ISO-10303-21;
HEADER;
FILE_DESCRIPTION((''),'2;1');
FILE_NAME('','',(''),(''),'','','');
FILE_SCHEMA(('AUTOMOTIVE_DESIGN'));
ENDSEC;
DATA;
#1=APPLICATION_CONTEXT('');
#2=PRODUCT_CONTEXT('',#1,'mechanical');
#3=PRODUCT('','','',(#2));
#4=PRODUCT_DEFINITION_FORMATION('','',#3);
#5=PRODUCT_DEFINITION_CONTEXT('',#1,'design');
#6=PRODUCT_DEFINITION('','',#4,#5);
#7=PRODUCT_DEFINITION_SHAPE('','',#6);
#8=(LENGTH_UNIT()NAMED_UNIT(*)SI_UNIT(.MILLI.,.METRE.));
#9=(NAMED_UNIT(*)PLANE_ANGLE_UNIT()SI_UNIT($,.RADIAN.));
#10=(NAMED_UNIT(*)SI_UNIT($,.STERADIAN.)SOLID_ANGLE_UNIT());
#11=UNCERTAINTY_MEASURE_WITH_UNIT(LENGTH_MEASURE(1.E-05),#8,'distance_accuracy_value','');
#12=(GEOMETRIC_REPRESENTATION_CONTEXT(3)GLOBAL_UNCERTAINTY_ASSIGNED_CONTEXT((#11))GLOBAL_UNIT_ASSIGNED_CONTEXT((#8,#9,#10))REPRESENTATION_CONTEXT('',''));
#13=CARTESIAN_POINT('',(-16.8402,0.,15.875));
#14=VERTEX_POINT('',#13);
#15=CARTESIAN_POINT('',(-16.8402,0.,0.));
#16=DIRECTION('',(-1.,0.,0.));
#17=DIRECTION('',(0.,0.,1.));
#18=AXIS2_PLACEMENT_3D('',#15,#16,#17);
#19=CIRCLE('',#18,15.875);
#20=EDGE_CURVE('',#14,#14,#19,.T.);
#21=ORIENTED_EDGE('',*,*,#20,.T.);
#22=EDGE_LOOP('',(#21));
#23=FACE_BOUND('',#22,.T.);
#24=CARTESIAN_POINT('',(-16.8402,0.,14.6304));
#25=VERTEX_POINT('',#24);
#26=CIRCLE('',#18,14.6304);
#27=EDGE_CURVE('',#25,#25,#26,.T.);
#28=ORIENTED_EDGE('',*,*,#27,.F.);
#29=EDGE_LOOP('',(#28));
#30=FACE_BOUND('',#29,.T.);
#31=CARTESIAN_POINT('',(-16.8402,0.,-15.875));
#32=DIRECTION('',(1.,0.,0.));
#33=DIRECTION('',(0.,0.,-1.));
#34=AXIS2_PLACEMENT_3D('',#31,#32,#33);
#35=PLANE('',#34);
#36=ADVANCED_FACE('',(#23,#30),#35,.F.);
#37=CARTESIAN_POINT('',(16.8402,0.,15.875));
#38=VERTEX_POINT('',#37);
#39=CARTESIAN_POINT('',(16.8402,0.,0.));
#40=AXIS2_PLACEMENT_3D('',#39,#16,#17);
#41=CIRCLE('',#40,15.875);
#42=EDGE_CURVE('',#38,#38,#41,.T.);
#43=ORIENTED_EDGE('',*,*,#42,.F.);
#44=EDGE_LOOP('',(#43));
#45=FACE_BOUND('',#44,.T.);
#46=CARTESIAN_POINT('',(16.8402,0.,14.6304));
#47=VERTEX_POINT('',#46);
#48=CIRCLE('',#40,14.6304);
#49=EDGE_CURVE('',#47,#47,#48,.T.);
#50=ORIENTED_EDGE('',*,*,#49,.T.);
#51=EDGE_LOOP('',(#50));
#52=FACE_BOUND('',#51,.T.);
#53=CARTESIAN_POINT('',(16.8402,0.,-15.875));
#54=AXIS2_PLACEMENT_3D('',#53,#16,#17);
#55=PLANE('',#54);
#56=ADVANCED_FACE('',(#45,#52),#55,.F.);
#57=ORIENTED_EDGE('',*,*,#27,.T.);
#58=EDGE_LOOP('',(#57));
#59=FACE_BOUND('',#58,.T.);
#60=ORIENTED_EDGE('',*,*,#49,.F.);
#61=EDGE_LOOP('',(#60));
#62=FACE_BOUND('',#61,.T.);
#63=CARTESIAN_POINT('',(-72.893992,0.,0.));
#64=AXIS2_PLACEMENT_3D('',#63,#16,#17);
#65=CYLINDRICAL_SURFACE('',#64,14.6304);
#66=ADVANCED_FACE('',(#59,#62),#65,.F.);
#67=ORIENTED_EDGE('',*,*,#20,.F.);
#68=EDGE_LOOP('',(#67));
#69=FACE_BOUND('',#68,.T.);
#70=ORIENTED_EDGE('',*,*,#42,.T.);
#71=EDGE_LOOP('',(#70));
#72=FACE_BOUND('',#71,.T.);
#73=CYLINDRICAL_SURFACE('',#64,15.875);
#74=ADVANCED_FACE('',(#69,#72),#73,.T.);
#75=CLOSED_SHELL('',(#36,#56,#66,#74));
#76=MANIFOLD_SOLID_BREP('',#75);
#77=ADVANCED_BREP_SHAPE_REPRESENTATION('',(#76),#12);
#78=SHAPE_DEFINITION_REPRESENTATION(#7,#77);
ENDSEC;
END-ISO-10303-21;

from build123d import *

# Parameters (mm, degrees)
SKETCH1_W = 33.6804
SKETCH1_H = 1.2446


with BuildPart() as part:
    # Sketch1 → Revolve1 (revolve)
    with BuildSketch(Plane(origin=(0, 0, 0), x_dir=(1, 0, 0), z_dir=(0, 1, 0)), mode=Mode.PRIVATE) as revolve1_sk:
        with Locations((0, 15.2527)):
            Rectangle(SKETCH1_W, SKETCH1_H)
    revolve(revolve1_sk.sketch.rotate(Axis((-72.893991897, 0, 0), (1, 0, 0)), 180), axis=Axis((-72.893991897, 0, 0), (1, 0, 0)))


solid = part.part
